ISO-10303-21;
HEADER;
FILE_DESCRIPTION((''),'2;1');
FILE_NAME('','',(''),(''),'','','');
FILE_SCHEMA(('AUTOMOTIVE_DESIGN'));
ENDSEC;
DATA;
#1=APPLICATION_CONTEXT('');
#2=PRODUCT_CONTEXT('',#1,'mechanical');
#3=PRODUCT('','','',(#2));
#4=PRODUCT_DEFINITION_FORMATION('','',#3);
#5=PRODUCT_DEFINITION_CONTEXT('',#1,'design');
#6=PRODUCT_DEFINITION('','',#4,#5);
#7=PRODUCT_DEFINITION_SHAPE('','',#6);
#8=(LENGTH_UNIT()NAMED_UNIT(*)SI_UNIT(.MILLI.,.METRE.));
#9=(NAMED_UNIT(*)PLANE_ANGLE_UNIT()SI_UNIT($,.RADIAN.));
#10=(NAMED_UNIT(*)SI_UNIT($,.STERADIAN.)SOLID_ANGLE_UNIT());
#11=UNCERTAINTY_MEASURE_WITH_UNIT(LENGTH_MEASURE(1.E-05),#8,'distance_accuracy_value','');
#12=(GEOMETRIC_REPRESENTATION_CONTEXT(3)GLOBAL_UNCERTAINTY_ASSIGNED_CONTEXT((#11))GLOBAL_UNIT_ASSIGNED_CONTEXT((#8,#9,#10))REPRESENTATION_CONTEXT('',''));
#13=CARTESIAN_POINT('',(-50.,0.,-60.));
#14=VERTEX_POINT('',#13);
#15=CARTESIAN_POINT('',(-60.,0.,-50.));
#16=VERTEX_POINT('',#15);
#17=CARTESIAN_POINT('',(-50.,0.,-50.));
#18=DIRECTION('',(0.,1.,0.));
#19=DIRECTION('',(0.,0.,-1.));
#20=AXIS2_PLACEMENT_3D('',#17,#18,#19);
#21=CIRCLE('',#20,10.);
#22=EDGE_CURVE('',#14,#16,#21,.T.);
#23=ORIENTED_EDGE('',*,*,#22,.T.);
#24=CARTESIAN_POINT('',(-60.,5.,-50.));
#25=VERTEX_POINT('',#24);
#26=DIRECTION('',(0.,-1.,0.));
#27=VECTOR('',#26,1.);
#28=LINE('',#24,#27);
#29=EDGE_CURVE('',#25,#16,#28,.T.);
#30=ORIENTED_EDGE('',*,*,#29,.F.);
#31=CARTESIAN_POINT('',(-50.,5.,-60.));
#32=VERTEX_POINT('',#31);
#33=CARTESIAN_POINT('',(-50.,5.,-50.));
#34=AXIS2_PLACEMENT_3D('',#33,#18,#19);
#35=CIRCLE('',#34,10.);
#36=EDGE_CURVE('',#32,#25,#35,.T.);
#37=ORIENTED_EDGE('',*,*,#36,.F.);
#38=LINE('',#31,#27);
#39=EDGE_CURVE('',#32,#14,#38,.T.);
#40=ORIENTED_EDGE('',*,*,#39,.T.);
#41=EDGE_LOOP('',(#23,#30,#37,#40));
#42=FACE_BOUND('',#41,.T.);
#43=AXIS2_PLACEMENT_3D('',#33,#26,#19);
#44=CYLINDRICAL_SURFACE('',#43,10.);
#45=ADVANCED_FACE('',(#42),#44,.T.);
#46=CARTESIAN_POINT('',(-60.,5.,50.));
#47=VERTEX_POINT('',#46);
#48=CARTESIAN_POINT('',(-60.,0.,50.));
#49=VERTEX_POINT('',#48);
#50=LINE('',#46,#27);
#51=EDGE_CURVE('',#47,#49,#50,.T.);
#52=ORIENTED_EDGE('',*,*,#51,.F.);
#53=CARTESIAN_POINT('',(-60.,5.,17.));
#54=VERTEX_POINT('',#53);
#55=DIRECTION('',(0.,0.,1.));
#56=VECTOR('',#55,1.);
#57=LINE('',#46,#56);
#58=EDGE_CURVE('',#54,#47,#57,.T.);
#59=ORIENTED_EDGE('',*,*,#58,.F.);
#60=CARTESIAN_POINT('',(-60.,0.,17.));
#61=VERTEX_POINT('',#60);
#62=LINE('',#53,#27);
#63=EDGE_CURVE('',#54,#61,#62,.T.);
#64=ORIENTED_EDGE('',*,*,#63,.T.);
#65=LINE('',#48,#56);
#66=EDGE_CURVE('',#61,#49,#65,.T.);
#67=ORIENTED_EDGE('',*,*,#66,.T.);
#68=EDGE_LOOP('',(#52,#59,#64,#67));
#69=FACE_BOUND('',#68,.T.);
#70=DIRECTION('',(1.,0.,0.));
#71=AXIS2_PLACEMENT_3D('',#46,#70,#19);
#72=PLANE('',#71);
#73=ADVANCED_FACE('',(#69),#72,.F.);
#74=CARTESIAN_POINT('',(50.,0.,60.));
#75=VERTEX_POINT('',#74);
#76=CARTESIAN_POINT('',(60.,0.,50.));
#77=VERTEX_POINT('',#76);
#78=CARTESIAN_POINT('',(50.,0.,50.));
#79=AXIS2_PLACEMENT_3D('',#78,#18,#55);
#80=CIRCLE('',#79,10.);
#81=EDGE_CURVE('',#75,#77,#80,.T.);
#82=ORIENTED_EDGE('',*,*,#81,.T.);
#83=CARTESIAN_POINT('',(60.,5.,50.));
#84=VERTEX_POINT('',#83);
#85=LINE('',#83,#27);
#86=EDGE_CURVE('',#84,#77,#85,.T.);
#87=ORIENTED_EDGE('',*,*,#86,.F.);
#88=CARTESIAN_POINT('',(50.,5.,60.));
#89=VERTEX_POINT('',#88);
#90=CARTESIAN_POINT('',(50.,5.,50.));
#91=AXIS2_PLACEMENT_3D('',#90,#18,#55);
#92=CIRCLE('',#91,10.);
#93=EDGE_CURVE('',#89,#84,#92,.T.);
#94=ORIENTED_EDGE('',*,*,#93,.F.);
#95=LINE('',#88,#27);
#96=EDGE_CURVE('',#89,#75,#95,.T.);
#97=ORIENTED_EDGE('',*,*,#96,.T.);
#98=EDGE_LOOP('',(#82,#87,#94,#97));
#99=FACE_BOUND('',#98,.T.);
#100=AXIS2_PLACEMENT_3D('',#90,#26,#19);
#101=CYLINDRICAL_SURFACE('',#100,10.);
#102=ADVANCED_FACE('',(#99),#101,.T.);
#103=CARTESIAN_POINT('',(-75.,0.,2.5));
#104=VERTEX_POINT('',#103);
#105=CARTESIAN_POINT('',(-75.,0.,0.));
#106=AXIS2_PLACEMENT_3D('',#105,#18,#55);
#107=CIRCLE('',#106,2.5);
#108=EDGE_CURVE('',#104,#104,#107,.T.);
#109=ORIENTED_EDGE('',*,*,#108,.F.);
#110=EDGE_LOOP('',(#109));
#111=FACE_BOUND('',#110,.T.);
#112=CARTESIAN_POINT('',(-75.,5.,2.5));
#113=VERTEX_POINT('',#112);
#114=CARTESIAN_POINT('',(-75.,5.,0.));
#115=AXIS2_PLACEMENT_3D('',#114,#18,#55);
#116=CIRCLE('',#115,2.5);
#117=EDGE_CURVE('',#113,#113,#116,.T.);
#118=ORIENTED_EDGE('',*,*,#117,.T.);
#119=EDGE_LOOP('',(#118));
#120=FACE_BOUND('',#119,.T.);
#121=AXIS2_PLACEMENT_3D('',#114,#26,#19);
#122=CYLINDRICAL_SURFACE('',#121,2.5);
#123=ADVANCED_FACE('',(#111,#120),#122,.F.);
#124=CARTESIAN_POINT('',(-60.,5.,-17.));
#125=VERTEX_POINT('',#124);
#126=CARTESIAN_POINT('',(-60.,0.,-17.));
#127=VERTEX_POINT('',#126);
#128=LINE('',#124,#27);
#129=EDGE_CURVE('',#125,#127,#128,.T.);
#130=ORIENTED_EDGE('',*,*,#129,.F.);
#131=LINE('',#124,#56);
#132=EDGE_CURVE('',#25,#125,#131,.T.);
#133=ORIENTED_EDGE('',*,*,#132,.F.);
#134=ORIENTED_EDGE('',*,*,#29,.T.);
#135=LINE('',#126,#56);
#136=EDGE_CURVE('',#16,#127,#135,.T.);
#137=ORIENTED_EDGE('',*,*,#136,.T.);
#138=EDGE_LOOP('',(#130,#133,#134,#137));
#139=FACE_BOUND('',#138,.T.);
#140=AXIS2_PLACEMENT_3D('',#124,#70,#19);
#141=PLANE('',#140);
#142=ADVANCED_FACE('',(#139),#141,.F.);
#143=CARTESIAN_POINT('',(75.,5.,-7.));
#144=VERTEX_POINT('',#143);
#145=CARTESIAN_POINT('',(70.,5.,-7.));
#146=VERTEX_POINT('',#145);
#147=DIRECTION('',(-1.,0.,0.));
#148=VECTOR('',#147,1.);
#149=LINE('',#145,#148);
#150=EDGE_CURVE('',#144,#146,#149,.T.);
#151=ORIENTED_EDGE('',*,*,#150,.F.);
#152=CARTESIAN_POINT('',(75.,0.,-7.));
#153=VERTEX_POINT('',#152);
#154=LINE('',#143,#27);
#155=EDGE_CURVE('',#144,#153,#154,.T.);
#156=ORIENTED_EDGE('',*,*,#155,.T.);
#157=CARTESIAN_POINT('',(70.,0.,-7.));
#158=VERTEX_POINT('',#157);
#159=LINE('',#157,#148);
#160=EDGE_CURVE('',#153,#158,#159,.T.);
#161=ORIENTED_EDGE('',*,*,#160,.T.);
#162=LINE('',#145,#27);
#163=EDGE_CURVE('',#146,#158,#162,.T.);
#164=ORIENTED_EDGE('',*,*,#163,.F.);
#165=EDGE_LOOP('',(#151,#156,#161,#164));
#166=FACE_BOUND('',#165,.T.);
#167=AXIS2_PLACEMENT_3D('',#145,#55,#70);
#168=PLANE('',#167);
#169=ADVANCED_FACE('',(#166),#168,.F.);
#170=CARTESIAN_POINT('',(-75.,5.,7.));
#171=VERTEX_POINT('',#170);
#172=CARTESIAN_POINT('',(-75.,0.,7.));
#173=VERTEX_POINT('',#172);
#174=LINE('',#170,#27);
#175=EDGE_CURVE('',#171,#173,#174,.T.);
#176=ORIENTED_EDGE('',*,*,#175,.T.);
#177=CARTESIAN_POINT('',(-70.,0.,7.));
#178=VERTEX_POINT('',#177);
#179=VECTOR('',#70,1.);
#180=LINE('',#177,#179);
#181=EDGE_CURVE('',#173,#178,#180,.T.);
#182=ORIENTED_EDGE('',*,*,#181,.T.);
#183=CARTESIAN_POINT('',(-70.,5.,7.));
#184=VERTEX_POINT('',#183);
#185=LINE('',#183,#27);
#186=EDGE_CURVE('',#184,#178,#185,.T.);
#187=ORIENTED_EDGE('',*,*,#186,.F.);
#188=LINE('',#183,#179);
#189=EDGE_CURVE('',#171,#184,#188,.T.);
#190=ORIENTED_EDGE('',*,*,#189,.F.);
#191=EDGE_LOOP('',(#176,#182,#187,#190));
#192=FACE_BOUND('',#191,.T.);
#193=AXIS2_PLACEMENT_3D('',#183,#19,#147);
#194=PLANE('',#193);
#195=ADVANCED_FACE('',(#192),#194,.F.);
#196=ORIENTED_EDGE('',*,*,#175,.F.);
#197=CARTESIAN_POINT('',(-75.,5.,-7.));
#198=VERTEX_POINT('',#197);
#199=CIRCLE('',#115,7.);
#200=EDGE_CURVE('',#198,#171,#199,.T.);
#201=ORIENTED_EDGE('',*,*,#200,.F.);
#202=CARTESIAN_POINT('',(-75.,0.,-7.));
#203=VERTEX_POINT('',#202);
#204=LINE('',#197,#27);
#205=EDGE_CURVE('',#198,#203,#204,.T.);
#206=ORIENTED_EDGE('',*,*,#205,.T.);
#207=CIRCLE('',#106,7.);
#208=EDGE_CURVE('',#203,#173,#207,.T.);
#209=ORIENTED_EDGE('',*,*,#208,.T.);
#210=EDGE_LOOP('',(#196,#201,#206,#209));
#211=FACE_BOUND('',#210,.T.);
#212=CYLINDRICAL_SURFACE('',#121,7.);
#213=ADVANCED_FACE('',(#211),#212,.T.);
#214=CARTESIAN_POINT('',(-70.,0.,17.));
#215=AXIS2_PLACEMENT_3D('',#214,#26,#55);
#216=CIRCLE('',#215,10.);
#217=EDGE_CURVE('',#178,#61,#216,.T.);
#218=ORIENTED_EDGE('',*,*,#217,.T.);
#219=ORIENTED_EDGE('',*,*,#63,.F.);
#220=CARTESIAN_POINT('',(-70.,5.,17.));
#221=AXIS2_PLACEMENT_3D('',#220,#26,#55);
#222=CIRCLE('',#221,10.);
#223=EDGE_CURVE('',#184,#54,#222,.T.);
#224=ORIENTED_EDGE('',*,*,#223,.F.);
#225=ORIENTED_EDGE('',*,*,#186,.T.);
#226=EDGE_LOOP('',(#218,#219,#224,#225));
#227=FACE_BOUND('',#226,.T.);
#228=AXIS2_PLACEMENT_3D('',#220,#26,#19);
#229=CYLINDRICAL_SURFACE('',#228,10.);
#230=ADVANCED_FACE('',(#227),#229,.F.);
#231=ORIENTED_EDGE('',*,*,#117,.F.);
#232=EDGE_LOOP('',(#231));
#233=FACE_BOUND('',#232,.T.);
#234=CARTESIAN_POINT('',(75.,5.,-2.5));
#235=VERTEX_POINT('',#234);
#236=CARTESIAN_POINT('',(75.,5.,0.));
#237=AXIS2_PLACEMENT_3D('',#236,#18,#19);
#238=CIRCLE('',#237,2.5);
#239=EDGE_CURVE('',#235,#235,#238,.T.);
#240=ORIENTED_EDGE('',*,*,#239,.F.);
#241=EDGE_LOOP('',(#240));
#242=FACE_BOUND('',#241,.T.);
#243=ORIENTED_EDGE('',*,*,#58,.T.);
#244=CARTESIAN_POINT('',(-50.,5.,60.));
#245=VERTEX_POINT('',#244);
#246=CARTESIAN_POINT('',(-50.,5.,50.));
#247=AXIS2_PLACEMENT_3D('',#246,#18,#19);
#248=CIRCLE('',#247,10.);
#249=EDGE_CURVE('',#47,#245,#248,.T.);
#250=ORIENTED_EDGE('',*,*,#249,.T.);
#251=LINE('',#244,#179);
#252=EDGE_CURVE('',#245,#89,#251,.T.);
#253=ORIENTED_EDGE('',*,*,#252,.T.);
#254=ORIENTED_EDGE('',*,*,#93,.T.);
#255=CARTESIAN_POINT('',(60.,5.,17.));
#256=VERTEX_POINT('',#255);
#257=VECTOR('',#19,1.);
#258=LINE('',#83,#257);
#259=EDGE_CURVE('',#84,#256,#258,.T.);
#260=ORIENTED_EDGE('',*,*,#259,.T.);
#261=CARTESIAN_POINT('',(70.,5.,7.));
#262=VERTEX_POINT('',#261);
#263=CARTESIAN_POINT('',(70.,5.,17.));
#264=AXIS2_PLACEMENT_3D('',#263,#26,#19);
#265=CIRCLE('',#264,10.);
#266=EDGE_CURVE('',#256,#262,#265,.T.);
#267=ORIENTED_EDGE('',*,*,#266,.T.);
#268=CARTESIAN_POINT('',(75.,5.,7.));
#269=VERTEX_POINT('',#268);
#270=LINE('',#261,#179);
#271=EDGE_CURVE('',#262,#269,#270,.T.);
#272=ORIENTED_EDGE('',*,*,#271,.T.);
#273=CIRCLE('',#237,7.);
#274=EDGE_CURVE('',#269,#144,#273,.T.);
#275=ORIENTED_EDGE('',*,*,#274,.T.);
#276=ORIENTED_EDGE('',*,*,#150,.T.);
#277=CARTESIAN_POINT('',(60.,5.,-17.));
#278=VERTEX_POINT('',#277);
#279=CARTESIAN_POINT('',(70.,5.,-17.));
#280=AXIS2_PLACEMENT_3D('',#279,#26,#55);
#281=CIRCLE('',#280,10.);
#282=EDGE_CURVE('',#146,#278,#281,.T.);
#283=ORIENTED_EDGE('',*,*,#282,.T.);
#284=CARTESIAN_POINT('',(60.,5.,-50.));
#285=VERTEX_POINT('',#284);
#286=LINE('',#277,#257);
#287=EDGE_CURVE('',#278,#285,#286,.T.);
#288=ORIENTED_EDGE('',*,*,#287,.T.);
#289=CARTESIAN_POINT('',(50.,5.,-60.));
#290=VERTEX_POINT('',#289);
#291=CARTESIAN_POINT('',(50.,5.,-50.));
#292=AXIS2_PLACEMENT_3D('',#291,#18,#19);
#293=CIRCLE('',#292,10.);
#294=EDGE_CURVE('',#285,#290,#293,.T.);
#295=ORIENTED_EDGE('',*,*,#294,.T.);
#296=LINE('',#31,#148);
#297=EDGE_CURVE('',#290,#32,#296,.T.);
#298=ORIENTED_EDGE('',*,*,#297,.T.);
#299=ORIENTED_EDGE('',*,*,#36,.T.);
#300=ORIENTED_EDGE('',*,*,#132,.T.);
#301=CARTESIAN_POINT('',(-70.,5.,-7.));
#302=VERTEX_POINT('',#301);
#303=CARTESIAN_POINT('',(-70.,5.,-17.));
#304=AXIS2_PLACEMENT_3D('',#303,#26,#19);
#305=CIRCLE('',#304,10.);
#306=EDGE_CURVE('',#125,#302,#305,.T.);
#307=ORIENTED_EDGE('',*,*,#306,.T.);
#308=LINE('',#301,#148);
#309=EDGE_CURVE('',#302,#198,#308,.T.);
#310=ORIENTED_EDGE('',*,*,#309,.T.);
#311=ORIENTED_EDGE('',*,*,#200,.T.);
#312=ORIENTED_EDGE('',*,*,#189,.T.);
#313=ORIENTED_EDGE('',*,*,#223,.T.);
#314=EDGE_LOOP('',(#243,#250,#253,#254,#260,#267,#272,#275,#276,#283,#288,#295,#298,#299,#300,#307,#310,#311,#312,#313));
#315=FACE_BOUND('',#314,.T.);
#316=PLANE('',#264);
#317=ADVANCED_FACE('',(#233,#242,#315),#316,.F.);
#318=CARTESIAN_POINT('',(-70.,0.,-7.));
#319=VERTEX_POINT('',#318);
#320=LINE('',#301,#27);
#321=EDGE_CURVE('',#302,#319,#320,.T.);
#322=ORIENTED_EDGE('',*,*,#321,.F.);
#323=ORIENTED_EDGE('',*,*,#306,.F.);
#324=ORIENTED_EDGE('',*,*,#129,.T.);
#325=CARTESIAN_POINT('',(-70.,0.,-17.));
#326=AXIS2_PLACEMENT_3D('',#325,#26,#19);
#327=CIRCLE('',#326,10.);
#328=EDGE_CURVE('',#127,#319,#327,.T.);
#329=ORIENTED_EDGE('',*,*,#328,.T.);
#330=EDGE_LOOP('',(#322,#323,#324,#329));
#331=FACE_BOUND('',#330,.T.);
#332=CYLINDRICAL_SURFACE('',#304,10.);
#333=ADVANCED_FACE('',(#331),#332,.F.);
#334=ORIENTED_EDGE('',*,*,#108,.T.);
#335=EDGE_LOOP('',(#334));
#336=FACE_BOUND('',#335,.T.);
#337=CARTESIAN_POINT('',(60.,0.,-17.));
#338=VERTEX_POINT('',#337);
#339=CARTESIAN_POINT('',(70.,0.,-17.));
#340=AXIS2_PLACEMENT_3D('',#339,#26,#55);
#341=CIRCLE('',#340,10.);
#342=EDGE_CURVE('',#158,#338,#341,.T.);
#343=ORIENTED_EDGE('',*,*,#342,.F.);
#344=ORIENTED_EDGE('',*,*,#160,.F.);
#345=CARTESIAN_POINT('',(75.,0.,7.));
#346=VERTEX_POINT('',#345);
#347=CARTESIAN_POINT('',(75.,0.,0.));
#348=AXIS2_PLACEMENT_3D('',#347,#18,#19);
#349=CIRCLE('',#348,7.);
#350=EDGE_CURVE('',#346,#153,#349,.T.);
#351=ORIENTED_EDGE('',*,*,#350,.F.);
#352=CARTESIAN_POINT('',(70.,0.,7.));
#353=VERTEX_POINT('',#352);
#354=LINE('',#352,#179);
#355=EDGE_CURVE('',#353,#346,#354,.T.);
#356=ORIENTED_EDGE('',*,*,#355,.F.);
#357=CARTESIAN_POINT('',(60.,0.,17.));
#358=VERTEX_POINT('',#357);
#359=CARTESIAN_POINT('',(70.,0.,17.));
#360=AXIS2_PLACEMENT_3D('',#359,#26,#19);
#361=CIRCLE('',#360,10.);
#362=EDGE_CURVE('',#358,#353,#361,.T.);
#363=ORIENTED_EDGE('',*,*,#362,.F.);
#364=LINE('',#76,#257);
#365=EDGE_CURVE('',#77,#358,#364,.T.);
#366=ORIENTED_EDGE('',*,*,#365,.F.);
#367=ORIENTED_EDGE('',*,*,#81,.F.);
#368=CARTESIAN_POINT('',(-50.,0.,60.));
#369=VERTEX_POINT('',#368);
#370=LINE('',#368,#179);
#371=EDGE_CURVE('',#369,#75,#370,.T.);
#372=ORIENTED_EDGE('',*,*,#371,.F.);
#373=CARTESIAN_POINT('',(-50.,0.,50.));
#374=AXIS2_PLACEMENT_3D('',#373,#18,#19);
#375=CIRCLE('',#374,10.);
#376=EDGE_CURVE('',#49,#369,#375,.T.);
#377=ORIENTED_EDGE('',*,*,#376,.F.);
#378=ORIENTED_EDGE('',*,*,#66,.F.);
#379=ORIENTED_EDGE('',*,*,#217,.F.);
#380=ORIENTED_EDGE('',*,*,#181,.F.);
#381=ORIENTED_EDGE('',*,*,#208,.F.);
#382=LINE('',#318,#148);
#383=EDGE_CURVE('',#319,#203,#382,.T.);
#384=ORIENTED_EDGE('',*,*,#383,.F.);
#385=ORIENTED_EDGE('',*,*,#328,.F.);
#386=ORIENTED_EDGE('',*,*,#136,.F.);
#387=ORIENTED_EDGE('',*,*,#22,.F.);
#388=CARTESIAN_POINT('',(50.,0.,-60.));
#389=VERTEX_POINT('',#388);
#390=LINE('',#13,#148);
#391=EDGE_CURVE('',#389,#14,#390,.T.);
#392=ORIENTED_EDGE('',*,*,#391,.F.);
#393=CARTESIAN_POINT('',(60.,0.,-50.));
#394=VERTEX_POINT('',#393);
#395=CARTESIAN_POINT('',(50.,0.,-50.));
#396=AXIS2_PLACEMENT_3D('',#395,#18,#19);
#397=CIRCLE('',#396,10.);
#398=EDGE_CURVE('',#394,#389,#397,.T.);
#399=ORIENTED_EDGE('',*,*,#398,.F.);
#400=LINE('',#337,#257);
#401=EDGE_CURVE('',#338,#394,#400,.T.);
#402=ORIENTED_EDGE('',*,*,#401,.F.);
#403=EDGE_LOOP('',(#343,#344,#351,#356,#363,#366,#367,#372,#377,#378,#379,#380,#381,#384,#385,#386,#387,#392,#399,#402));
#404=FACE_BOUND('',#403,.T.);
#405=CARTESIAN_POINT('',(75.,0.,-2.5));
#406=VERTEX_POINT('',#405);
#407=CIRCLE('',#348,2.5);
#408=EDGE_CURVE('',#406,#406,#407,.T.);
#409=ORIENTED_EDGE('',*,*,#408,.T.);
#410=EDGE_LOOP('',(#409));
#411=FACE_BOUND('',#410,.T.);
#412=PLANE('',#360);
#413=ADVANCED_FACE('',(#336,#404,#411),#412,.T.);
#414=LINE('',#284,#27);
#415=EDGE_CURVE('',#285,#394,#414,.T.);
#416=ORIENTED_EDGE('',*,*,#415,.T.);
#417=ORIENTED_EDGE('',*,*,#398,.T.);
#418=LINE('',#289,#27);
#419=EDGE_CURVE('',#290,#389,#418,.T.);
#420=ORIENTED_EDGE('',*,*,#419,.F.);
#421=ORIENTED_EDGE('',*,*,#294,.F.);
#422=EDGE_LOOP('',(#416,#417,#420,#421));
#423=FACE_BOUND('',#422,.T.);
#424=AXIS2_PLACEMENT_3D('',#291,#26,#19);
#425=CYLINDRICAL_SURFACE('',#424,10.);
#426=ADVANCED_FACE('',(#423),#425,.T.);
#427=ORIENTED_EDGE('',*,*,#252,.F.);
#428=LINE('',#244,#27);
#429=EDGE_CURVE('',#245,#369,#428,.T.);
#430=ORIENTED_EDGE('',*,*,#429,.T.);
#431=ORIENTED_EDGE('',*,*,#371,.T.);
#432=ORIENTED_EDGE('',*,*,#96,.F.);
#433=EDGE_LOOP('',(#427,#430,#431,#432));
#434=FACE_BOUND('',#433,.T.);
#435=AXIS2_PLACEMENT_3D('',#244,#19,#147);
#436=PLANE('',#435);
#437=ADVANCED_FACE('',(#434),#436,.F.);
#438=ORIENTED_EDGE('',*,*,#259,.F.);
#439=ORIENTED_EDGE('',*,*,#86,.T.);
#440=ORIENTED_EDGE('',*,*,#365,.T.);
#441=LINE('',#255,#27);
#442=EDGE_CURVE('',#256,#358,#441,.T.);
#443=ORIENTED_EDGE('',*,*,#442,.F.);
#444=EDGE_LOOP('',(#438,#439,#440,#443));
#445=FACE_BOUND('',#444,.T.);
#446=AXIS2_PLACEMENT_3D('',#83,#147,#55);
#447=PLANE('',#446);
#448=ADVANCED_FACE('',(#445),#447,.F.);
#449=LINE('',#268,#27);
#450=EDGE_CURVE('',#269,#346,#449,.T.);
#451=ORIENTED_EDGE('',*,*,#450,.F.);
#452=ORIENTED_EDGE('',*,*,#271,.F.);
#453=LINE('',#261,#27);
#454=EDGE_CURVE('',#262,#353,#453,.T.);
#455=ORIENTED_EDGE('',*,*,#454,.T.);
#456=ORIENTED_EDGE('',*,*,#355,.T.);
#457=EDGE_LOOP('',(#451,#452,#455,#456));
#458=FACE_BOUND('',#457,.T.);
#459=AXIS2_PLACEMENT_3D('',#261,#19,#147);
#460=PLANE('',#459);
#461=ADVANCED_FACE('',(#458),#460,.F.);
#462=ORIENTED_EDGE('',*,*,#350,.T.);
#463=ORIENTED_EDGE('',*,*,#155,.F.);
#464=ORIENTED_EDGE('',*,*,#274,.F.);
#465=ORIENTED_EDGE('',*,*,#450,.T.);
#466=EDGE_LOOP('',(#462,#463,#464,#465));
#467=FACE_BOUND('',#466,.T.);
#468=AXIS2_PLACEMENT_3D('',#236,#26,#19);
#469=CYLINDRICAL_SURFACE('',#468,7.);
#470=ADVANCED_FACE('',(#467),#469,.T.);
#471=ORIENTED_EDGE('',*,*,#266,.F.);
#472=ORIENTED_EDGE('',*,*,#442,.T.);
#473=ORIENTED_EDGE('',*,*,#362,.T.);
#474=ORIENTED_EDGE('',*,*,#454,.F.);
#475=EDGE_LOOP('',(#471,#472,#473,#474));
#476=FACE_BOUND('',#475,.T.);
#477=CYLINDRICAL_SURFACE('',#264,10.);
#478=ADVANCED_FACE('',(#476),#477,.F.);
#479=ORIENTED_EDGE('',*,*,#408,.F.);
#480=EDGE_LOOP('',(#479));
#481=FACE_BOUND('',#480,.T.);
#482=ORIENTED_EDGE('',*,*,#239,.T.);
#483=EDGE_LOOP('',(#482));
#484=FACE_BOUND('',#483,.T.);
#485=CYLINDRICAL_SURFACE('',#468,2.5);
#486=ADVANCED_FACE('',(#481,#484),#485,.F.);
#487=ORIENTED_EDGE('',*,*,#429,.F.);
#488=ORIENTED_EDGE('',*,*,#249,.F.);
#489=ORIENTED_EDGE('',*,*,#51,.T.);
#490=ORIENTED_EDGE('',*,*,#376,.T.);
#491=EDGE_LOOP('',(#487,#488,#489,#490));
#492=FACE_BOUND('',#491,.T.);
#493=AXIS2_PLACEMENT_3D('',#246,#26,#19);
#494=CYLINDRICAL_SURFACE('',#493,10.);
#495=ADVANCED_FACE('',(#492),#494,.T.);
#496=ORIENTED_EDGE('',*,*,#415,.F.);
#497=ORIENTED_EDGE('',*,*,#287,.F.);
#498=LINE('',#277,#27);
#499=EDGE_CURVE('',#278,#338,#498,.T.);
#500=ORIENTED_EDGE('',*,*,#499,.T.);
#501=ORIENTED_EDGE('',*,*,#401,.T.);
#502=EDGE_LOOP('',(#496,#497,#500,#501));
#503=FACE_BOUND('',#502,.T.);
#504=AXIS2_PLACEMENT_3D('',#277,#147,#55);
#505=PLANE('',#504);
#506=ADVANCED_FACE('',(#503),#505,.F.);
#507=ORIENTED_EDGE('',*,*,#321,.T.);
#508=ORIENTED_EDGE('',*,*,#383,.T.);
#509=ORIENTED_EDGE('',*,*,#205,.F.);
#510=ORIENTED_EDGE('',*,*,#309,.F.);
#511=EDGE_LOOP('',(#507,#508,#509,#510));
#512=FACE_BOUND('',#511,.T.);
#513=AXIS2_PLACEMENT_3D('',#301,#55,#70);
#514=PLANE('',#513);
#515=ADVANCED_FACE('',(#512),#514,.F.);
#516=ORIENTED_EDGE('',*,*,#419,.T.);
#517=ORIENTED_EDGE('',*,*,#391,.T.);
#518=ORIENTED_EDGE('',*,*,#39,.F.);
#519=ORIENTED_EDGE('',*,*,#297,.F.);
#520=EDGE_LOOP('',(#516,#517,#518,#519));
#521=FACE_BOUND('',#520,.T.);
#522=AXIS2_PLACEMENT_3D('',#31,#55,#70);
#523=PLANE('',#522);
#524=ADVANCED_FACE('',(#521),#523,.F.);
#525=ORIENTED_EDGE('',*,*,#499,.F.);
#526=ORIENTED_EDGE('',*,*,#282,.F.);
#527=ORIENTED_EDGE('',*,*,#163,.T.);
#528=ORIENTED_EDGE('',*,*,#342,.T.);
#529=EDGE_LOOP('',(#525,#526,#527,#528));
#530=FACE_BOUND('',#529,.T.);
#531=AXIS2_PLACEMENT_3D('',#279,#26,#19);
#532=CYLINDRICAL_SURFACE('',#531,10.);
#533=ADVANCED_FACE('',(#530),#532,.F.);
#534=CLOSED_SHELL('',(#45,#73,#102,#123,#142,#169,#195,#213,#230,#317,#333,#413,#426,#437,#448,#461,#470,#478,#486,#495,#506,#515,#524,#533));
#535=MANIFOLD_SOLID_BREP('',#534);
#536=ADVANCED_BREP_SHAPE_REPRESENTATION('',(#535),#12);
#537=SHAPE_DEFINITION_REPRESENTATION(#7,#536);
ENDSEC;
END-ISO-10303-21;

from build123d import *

# Parameters (mm, degrees)
SKETCH1_R           = 2.5
BOSS_EXTRUDE2_DEPTH = 5


with BuildPart() as part:
    # Sketch1 → Boss-Extrude2 (new body)
    with BuildSketch(Plane(origin=(0, 0, 0), x_dir=(1, 0, 0), z_dir=(0, 1, 0))):
        with BuildLine():
            Line((70, -7), (75, -7))
            ThreePointArc((75, -7), (82, 0), (75, 7))
            Line((75, 7), (70, 7))
            ThreePointArc((70, 7), (62.928932188, 9.928932188), (60, 17))
            Line((60, 17), (60, 50))
            ThreePointArc((60, 50), (57.071067812, 57.071067812), (50, 60))
            Line((50, 60), (-50, 60))
            ThreePointArc((-50, 60), (-57.071067812, 57.071067812), (-60, 50))
            Line((-60, 50), (-60, 17))
            ThreePointArc((-60, 17), (-62.928932188, 9.928932188), (-70, 7))
            Line((-70, 7), (-75, 7))
            ThreePointArc((-75, 7), (-82, 0), (-75, -7))
            Line((-75, -7), (-70, -7))
            ThreePointArc((-70, -7), (-62.928932188, -9.928932188), (-60, -17))
            Line((-60, -17), (-60, -50))
            ThreePointArc((-60, -50), (-57.071067812, -57.071067812), (-50, -60))
            Line((-50, -60), (50, -60))
            ThreePointArc((50, -60), (57.071067812, -57.071067812), (60, -50))
            Line((60, -50), (60, -17))
            ThreePointArc((60, -17), (62.928932188, -9.928932188), (70, -7))
        make_face()
        with Locations(Location((-75, 0, 0), (0, 0, 270))):
            Circle(SKETCH1_R, mode=Mode.SUBTRACT)
        with Locations(Location((75, 0, 0), (0, 0, 90))):
            Circle(SKETCH1_R, mode=Mode.SUBTRACT)
    extrude(amount=BOSS_EXTRUDE2_DEPTH)


solid = part.part
